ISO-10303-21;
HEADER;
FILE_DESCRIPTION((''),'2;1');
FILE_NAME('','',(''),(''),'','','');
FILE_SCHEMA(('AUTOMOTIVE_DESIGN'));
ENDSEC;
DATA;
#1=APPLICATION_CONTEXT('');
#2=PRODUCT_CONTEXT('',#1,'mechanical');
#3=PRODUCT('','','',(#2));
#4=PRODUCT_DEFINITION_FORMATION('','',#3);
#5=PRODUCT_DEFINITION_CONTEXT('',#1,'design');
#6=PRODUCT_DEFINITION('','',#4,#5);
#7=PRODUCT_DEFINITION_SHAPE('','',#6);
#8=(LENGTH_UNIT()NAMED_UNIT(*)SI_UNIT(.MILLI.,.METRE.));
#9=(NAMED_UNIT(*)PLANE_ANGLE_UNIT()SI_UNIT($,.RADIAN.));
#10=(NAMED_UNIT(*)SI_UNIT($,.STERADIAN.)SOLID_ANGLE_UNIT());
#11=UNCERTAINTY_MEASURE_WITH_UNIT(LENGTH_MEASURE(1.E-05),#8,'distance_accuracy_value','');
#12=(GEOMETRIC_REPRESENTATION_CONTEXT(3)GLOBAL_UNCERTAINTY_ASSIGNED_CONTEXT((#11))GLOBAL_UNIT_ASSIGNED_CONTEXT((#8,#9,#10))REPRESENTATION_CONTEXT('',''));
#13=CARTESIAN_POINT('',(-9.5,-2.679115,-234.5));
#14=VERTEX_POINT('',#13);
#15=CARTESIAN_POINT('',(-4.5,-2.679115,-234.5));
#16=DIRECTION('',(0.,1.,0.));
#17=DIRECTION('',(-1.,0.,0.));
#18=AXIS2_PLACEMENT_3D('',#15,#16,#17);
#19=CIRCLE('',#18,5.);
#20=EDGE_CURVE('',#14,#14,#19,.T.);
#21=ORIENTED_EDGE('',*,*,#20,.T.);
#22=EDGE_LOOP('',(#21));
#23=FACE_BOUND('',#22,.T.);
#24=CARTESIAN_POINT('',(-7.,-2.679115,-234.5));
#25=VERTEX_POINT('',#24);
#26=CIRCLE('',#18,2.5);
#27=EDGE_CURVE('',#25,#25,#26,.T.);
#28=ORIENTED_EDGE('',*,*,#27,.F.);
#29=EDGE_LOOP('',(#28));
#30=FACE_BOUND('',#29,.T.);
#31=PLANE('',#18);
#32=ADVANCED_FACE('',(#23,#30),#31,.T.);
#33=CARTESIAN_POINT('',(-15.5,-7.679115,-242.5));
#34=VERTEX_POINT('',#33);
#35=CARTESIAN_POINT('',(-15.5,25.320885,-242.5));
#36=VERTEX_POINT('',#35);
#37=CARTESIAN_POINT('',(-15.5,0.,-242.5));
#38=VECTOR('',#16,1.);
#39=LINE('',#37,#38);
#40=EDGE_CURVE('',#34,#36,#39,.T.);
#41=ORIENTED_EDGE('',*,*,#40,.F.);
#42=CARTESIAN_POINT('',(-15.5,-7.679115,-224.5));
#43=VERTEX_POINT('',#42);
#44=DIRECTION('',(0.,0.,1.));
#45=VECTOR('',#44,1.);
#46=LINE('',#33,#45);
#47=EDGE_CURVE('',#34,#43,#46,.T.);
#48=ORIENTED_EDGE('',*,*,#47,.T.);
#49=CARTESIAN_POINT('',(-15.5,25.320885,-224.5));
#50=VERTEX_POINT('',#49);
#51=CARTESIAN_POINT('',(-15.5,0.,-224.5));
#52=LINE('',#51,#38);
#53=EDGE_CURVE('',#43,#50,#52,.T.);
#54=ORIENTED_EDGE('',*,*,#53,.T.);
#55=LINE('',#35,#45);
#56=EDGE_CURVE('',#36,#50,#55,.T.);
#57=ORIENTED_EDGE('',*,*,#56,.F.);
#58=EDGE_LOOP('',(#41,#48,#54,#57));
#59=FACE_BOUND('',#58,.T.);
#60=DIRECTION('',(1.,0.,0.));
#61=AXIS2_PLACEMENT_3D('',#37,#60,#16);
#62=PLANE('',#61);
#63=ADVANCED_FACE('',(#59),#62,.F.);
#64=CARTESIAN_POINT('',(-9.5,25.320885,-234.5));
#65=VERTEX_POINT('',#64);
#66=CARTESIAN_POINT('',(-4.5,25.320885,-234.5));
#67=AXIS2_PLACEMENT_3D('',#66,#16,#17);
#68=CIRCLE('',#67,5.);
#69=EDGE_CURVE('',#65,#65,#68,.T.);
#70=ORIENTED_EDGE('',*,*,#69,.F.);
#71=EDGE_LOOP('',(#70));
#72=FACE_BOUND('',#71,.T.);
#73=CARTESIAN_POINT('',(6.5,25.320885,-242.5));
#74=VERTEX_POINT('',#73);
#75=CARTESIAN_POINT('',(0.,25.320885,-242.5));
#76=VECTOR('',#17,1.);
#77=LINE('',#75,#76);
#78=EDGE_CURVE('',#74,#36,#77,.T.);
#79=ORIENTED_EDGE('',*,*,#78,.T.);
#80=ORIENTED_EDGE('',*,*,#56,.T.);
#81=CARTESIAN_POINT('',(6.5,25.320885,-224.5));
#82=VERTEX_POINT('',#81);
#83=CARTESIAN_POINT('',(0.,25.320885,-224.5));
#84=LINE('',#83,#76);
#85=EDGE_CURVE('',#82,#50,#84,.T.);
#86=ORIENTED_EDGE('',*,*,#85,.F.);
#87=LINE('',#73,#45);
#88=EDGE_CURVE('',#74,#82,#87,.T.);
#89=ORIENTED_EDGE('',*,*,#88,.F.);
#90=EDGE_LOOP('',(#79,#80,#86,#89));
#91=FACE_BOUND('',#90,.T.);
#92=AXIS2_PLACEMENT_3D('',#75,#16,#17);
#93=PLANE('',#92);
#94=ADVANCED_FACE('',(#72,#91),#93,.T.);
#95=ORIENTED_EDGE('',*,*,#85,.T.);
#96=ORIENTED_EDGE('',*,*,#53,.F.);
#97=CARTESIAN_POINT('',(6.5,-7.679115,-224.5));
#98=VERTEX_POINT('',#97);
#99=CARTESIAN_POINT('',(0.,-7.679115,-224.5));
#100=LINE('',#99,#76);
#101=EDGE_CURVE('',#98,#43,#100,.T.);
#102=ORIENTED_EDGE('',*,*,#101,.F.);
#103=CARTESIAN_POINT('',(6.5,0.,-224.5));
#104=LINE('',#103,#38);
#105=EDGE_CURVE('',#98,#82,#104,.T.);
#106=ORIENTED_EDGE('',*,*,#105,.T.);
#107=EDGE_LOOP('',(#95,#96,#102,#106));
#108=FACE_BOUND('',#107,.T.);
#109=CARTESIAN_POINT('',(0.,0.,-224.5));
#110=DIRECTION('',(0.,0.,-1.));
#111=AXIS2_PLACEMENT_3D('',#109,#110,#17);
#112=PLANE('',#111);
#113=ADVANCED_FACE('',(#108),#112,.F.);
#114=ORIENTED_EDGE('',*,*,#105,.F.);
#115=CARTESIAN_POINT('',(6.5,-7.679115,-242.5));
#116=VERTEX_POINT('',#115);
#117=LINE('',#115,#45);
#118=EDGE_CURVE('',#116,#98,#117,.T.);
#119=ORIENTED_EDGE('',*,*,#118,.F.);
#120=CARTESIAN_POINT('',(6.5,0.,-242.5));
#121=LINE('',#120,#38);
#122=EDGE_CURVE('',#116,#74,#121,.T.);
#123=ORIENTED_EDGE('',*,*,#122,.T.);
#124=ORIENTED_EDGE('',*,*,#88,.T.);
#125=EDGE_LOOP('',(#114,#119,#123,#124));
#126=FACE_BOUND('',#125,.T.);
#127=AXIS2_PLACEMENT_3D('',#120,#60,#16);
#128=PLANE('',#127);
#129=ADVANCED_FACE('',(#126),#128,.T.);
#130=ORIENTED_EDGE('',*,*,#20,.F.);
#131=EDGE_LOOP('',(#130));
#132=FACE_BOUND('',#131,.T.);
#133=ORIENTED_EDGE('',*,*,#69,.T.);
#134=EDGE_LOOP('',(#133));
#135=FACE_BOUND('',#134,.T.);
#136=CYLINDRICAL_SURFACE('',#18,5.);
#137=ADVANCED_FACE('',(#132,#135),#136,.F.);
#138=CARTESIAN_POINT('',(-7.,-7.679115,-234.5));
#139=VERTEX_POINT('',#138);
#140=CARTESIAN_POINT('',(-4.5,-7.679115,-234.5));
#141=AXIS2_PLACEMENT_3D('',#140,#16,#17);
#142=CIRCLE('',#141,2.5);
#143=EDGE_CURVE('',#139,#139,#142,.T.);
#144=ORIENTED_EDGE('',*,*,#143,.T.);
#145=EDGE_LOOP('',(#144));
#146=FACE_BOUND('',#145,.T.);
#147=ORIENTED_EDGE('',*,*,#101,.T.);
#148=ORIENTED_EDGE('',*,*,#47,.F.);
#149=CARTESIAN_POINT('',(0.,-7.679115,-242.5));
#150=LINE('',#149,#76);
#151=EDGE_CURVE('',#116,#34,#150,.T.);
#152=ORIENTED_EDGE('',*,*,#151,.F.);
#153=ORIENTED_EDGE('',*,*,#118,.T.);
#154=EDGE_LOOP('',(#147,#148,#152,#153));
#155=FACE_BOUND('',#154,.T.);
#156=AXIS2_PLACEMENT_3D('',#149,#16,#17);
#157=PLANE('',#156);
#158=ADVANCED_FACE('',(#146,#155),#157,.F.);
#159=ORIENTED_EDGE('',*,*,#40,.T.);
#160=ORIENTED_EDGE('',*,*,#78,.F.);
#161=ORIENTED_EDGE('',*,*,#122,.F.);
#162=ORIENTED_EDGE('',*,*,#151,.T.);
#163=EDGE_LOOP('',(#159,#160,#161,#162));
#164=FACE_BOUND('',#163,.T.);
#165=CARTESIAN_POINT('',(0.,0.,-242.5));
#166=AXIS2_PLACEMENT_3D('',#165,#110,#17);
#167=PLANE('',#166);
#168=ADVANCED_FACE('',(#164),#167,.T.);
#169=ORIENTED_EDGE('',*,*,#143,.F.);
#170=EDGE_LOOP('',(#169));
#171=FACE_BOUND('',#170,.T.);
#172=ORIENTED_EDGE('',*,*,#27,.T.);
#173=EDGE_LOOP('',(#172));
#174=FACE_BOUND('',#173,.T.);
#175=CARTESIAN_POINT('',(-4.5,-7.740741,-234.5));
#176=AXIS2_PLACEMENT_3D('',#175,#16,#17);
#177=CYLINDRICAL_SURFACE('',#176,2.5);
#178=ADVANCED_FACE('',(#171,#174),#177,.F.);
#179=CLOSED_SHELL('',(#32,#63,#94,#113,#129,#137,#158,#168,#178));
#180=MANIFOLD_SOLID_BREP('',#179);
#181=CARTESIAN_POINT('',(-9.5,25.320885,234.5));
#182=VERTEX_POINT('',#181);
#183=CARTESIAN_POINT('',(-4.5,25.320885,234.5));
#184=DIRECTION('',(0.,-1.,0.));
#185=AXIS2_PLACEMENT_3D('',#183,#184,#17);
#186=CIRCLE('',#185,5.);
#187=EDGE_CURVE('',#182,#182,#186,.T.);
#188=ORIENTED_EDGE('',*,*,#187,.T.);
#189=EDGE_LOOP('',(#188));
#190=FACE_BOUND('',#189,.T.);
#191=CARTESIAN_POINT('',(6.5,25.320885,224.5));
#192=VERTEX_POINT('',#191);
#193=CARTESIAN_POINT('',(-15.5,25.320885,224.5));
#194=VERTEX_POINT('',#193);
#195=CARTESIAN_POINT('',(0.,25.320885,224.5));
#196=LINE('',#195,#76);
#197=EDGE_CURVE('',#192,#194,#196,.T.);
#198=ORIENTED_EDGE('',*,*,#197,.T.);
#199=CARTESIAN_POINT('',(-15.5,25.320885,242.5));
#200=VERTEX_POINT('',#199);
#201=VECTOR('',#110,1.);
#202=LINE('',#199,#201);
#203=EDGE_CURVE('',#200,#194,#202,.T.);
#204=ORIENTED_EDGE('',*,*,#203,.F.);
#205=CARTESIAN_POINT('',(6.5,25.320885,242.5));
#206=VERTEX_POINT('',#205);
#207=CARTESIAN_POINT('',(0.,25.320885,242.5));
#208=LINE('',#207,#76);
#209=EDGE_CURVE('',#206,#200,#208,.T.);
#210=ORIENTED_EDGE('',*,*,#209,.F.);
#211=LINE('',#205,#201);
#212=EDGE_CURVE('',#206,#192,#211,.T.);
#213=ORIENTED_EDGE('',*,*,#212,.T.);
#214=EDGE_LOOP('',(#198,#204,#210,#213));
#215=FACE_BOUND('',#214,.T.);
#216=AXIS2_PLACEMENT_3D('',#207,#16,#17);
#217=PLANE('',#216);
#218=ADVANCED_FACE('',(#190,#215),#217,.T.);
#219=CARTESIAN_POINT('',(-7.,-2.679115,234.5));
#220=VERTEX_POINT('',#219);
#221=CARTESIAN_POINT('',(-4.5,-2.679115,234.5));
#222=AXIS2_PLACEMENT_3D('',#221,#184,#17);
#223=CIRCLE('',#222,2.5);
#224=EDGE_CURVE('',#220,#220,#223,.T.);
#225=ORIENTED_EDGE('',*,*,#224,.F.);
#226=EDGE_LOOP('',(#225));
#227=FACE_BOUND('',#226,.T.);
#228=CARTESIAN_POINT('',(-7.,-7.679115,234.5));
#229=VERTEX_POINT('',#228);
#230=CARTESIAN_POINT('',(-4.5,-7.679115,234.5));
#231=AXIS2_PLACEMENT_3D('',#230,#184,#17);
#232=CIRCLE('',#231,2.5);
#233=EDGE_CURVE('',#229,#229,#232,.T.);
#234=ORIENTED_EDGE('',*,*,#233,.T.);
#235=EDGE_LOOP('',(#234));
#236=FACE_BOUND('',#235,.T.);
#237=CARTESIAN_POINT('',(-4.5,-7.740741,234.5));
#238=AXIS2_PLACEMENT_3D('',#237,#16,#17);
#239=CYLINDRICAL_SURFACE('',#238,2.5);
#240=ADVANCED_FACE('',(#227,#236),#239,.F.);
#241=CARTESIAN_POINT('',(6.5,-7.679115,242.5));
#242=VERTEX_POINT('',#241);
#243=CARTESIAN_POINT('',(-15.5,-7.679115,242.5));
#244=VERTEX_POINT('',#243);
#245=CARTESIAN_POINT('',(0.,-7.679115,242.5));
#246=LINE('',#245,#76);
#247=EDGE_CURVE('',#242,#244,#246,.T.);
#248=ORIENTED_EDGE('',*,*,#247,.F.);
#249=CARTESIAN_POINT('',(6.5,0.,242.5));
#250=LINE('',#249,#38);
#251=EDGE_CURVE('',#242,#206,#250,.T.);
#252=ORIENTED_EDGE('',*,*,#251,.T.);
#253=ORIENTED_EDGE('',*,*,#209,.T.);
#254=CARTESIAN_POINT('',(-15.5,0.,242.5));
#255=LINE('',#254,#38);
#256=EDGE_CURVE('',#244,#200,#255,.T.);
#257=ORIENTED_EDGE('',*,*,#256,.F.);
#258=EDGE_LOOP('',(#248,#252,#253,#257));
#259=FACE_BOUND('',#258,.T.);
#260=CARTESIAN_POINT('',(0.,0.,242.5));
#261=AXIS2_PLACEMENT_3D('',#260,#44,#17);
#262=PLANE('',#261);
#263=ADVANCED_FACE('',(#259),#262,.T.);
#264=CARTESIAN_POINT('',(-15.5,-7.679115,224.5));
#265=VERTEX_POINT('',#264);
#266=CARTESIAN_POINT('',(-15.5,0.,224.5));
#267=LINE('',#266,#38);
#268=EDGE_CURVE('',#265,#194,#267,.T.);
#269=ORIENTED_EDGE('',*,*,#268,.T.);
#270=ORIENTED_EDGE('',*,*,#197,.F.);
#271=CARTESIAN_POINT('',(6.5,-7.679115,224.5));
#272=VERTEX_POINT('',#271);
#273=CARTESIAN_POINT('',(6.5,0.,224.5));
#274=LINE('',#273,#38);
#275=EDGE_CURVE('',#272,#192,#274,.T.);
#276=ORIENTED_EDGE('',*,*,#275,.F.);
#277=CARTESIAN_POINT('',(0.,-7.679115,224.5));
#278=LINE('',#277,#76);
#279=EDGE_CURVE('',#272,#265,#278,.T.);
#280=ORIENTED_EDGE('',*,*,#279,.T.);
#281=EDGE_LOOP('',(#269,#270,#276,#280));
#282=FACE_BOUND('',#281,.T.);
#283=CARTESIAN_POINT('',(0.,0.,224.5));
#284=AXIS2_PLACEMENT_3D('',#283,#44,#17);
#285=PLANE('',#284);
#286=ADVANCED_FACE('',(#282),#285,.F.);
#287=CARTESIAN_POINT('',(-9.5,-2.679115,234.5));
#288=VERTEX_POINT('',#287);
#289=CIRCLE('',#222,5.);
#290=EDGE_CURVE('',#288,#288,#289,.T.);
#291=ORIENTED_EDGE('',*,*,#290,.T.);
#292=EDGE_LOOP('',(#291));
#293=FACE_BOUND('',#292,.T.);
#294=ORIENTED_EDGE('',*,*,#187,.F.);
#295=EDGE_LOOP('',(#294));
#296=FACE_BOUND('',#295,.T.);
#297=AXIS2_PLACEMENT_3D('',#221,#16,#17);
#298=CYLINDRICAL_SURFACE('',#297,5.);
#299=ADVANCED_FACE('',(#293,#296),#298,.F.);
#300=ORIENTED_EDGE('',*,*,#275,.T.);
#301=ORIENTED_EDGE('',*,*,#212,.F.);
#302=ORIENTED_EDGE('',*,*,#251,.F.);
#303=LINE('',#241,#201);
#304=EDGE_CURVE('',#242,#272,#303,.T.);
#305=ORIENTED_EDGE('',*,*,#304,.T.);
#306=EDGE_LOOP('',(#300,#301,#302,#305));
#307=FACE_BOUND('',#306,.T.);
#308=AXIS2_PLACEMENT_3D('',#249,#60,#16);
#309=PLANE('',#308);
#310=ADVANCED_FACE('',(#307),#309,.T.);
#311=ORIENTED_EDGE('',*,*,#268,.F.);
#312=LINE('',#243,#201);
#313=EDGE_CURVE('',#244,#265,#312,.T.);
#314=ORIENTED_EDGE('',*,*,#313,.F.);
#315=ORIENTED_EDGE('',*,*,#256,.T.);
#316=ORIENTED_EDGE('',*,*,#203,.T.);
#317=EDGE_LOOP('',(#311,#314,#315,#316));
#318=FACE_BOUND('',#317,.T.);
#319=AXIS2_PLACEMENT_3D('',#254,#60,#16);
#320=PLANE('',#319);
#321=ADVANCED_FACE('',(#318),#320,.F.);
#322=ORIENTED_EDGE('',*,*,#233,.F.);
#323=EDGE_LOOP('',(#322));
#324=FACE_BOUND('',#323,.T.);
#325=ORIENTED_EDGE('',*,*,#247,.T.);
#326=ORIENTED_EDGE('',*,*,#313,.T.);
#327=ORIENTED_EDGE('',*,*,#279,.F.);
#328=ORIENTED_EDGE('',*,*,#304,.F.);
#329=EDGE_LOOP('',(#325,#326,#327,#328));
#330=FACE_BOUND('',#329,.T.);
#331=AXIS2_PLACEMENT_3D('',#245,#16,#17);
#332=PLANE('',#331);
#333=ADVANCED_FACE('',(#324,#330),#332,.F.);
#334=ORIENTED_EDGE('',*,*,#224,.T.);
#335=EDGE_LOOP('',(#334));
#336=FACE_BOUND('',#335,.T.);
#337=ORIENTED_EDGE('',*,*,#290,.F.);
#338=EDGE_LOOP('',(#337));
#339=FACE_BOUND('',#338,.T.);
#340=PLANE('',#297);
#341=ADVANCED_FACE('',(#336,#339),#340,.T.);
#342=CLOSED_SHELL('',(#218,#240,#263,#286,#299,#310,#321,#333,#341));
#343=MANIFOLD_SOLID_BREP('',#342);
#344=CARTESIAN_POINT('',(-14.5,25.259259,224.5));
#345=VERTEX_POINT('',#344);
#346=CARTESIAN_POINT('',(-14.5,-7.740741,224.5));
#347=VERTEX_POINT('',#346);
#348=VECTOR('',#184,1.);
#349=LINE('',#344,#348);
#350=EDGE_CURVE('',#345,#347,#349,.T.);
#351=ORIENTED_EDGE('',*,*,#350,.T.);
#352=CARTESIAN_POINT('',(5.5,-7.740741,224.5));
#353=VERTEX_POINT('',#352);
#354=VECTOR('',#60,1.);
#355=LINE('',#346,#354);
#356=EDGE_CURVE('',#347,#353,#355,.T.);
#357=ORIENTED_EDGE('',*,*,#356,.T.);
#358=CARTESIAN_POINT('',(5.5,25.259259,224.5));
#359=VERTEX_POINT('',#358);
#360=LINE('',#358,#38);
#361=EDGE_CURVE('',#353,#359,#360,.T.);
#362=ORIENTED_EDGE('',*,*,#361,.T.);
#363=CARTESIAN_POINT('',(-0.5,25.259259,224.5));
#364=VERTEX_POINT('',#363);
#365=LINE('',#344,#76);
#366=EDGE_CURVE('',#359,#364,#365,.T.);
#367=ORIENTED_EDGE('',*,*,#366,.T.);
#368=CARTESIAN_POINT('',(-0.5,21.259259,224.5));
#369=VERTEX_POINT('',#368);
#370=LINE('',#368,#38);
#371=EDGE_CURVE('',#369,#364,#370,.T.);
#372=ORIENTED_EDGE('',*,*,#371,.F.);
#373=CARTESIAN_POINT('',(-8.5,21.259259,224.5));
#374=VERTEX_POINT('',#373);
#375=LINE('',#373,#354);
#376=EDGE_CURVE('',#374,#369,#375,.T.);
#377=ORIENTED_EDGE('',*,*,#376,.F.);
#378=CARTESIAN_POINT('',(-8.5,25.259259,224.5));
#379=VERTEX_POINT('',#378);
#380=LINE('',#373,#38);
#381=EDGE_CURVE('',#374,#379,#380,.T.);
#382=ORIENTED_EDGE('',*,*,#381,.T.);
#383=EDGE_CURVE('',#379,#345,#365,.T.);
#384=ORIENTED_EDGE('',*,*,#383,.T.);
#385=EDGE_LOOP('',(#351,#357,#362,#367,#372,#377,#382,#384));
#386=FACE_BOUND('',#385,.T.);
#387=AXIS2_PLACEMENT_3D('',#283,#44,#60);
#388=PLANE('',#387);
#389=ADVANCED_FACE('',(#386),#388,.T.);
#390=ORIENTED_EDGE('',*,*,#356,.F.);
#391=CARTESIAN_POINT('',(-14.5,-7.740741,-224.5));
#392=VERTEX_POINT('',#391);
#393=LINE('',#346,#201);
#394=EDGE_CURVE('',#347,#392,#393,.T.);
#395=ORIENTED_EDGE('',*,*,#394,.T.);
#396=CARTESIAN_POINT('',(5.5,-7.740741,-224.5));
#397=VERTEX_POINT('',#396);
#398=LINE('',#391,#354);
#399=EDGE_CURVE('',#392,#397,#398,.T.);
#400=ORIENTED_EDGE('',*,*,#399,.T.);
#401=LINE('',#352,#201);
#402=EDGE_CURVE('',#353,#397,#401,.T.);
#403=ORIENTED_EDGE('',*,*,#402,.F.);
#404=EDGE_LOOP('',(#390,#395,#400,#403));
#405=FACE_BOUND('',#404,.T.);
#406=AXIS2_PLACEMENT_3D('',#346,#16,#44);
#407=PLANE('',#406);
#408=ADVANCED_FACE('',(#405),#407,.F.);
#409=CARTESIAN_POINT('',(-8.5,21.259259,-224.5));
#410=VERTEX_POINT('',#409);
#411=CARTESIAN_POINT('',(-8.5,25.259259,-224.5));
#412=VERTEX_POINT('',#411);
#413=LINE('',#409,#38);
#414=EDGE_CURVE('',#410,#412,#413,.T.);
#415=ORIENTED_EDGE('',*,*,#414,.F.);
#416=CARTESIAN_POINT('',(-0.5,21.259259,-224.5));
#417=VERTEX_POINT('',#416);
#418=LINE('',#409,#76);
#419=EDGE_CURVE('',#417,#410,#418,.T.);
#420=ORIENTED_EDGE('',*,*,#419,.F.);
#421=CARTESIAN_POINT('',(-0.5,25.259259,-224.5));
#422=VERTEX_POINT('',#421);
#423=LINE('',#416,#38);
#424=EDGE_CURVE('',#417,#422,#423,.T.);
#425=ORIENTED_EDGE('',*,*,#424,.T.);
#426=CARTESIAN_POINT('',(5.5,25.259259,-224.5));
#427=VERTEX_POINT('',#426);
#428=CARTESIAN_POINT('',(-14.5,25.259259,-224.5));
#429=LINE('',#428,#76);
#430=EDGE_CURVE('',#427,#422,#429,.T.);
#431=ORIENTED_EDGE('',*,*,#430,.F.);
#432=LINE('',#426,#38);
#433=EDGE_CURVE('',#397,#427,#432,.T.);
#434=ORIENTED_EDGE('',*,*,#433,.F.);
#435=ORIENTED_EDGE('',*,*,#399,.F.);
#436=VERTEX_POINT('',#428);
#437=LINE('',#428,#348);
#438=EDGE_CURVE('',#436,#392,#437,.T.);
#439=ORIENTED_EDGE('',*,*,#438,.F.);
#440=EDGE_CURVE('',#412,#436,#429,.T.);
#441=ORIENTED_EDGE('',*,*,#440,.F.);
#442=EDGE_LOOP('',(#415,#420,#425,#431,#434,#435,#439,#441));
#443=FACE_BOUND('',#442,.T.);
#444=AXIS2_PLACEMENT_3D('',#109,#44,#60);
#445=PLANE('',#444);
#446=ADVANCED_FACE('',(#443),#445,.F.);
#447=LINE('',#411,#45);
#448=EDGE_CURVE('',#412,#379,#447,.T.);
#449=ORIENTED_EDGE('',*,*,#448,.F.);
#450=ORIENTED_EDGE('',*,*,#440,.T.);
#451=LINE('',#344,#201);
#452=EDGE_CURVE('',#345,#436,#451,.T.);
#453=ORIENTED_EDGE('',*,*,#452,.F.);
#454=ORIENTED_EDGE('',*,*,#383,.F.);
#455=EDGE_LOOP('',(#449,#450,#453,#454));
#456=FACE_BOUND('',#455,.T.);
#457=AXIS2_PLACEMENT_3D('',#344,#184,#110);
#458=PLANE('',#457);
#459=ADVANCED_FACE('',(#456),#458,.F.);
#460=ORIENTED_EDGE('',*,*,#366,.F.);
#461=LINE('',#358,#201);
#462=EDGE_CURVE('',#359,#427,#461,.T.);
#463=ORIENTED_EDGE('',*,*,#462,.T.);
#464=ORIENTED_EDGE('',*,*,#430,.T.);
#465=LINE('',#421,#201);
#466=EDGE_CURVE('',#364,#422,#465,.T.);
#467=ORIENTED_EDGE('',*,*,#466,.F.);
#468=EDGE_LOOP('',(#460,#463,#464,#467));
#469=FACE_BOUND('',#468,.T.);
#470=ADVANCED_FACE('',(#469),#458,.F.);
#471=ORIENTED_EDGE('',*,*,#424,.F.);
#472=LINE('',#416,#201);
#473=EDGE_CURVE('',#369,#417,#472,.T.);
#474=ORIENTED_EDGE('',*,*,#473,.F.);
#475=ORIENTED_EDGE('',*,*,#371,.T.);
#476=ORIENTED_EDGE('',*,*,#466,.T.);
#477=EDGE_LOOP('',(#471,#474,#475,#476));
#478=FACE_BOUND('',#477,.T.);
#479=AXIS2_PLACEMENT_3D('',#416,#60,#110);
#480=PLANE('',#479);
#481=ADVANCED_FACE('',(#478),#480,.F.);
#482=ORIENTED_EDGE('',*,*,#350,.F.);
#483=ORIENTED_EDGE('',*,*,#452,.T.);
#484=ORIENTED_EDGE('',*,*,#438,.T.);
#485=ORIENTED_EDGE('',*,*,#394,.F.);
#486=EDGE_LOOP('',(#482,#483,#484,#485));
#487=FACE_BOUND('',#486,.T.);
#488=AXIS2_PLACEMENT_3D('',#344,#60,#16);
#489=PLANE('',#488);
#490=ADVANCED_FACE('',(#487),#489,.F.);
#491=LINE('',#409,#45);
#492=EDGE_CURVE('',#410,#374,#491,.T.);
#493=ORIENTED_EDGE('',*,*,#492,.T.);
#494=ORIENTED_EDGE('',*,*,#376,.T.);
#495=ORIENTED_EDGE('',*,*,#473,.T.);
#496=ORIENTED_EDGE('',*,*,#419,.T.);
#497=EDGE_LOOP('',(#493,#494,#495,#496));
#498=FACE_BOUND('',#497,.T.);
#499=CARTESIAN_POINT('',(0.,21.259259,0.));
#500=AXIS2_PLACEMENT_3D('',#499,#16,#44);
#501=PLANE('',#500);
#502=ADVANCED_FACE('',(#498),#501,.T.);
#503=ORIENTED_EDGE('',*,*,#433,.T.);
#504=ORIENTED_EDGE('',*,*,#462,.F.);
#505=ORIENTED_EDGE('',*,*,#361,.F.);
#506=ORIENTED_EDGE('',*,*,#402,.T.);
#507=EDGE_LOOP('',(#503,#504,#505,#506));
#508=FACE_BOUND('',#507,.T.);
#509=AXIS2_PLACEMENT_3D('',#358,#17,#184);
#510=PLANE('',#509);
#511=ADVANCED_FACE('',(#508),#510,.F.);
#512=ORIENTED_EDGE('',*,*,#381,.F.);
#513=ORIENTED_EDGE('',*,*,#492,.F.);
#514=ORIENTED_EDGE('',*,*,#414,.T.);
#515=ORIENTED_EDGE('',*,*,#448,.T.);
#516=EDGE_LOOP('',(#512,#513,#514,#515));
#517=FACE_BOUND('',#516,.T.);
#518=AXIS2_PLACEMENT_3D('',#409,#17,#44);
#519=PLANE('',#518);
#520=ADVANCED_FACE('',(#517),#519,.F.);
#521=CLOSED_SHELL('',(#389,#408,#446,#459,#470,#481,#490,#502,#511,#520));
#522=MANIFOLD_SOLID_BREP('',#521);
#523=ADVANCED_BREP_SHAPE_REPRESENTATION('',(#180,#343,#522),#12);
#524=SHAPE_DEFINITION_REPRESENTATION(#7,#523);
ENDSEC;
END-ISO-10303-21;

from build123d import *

# Parameters (mm, degrees)
BOSS_EXTRUDE1_DEPTH      = 224.5
BOSS_EXTRUDE1_DEPTH_BACK = 224.5
SKETCH1_W                = 20
SKETCH1_H                = 33
SKETCH18_W               = 8
SKETCH18_H               = 449
CUT_EXTRUDE6_DEPTH       = 4
SKETCH19_W               = 22
SKETCH19_H               = 33
BOSS_EXTRUDE5_DEPTH      = 18
SKETCH20_R               = 2.5
CUT_EXTRUDE7_DEPTH       = 246.233707055
SKETCH20_4_R             = 5
SKETCH20_4_R_2           = 2.5
CUT_EXTRUDE8_DEPTH       = 28


with BuildPart() as part:
    # Sketch1 → Boss-Extrude1 (new, two sides: drawn at the far end of the back side and taken through both)
    with BuildSketch(Plane.XY.offset(-BOSS_EXTRUDE1_DEPTH_BACK)):
        with Locations((-4.5, 8.759259259)):
            Rectangle(SKETCH1_W, SKETCH1_H)
    extrude(amount=BOSS_EXTRUDE1_DEPTH + BOSS_EXTRUDE1_DEPTH_BACK)

    # Sketch18 → Cut-Extrude6 (cut)
    with BuildSketch(Plane(origin=(0, 25.259259259, 0), x_dir=(1, 0, 0), z_dir=(0, 1, 0))):
        with Locations((-4.5, 0)):
            Rectangle(SKETCH18_W, SKETCH18_H)
    extrude(amount=-CUT_EXTRUDE6_DEPTH, mode=Mode.SUBTRACT)


with BuildPart() as body_2:
    # Sketch19 → Boss-Extrude5 (new body)
    with BuildSketch(Plane(origin=(0, 0, -224.5), x_dir=(-1, 0, 0), z_dir=(0, 0, -1))):
        with Locations((4.5, 8.82088469)):
            Rectangle(SKETCH19_W, SKETCH19_H)
    extrude(amount=BOSS_EXTRUDE5_DEPTH)

    # Sketch20 → Cut-Extrude7 (cut, through all)
    with BuildSketch(Plane(origin=(0, 25.32088469, 0), x_dir=(1, 0, 0), z_dir=(0, 1, 0))):
        with Locations((-4.5, 234.5)):
            Circle(SKETCH20_R)
    extrude(amount=-CUT_EXTRUDE7_DEPTH, mode=Mode.SUBTRACT)

    # Sketch20_4 → Cut-Extrude8 (cut)
    with BuildSketch(Plane(origin=(0, 25.32088469, 0), x_dir=(1, 0, 0), z_dir=(0, 1, 0))):
        with Locations((-4.5, 234.5)):
            Circle(SKETCH20_4_R)
        with Locations((-4.5, 234.5)):
            Circle(SKETCH20_4_R_2, mode=Mode.SUBTRACT)
    extrude(amount=-CUT_EXTRUDE8_DEPTH, mode=Mode.SUBTRACT)


with BuildPart() as body_3:
    # Mirror8: mirrored copy
    add(body_2.part.mirror(Plane(origin=(0, 0, 0), x_dir=(1, 0, 0), z_dir=(0, 0, -1))))


solid = Compound([part.part, body_2.part, body_3.part])
